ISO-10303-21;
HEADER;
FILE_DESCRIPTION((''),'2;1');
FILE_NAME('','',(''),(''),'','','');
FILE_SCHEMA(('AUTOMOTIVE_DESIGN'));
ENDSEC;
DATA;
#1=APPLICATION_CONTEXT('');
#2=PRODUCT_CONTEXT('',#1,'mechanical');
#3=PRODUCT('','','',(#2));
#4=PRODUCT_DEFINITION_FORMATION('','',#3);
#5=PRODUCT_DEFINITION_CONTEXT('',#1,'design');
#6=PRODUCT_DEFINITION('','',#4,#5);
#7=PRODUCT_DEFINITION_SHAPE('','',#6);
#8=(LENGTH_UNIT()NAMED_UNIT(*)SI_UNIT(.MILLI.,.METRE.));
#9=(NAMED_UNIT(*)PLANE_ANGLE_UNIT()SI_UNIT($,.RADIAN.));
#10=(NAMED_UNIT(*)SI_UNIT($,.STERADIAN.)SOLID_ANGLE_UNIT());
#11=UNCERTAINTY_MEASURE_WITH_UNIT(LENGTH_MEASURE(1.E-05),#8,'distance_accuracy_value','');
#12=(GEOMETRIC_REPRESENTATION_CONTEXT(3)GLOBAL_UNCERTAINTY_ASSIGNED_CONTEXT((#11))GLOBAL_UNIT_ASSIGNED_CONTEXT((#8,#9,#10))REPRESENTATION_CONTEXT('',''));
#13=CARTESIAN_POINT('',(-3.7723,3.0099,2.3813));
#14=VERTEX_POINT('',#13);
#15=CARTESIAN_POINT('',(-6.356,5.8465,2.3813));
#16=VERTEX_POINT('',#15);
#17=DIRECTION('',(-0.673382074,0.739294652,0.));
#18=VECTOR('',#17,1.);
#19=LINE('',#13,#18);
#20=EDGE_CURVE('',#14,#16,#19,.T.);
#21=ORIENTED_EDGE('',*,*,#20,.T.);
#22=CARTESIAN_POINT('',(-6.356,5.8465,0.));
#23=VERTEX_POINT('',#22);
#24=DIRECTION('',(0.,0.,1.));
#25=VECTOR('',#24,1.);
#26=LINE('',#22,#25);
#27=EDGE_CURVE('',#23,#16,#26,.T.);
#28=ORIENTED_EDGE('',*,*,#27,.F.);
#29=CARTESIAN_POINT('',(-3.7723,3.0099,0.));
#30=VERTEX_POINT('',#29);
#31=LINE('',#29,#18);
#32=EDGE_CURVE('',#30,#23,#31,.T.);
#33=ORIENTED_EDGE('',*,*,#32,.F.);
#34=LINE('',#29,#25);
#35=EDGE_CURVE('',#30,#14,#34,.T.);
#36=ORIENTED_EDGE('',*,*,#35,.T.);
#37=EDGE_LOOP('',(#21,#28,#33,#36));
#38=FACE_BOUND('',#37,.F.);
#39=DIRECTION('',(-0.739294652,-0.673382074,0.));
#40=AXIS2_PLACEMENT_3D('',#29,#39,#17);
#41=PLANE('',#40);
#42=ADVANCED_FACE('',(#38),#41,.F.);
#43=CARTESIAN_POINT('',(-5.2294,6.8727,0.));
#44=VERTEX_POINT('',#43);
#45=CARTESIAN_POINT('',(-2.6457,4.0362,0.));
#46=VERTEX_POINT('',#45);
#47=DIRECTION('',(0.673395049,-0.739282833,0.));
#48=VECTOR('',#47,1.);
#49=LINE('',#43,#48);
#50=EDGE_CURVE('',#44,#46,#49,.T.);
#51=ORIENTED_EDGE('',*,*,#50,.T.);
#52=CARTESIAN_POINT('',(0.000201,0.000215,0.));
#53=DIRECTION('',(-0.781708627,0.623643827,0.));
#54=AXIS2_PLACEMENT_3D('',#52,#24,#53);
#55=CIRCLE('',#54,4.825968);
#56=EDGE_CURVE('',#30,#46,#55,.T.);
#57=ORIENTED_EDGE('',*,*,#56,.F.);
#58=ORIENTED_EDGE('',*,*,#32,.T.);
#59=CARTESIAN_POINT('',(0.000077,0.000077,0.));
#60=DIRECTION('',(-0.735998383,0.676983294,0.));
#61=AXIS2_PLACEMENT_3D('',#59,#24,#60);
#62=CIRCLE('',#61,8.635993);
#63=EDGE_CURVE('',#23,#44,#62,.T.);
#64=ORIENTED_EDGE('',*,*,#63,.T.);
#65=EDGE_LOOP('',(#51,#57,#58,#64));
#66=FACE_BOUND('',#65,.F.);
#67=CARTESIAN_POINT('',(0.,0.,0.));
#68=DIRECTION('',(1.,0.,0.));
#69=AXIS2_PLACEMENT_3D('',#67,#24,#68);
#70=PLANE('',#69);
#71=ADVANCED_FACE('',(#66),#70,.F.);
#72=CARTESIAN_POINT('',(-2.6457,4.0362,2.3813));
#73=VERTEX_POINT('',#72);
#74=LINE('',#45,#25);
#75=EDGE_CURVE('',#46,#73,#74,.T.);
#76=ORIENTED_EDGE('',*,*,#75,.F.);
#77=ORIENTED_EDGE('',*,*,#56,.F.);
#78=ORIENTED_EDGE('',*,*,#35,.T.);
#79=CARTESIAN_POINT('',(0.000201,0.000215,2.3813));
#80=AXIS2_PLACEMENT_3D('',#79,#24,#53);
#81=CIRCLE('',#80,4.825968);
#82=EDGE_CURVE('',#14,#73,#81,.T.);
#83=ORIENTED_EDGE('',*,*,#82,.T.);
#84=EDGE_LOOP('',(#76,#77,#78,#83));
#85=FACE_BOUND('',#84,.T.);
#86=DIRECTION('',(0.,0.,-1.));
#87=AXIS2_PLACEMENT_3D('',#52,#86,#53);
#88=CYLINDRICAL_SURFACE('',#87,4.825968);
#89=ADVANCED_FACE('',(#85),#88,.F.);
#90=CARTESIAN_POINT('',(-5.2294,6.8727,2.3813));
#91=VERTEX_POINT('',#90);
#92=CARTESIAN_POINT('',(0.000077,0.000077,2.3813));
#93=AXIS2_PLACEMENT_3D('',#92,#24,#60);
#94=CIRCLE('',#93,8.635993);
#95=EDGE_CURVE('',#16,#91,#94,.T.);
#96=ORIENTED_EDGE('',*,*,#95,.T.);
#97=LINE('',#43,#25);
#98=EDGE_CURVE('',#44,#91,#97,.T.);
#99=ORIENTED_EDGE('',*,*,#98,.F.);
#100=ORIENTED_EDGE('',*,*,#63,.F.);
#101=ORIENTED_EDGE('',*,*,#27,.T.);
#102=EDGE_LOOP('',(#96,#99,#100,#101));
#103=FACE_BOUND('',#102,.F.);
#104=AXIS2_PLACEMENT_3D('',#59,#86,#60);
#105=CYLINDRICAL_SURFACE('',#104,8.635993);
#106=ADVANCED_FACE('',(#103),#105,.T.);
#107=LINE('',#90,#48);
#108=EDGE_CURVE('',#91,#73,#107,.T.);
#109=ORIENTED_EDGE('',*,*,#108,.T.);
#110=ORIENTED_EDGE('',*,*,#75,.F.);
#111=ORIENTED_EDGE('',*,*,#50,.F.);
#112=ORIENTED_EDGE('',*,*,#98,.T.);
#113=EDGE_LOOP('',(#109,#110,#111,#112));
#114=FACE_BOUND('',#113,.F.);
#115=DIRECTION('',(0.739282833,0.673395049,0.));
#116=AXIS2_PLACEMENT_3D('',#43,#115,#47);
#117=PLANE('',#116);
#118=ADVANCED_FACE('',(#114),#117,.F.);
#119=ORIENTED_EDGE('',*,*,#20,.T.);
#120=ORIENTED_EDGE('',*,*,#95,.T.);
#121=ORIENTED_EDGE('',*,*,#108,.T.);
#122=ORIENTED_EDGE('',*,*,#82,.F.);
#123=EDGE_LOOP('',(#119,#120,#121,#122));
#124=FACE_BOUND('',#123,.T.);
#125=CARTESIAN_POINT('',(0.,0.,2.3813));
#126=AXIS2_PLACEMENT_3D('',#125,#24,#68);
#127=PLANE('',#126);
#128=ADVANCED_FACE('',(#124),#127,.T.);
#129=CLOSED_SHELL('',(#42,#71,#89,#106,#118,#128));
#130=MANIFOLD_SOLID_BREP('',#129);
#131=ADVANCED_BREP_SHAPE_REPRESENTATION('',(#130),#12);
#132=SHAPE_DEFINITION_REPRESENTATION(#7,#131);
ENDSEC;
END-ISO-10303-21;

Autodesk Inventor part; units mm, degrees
ref_plane "YZ Plane" through (0, 0, 0) normal (1, 0, 0) x (0, 1, 0)
ref_plane "XZ Plane" through (0, 0, 0) normal (0, 1, 0) x (-1, 0, 0)
ref_plane "XY Plane" through (0, 0, 0) normal (0, 0, 1) x (1, 0, 0)
sketch "Sketch1" plane through (0, 0, 0) normal (0, 0, 1) x (1, 0, 0)
  arc A0 (-6.356, 5.8465) -> (-5.2294, 6.8727) centre (0, 0) ccw
  arc A1 (-3.7723, 3.0099) -> (-2.6457, 4.0362) centre (0, 0) ccw
  line L0 (-3.7723, 3.0099) -> (-6.356, 5.8465)
  line L1 (-5.2294, 6.8727) -> (-2.6457, 4.0362)
  line L2 (-6.9725, 7.6548) -> (-2.002, 2.1979)
  dimension "d0" = 17.272
  dimension "d1" = 9.652
  dimension "d2" = 1.524
  dimension "d3" = 0.762
extrude "Extrusion1" add sketch "Sketch1" along normal blind 2.3813
equation "\"d3\" = 0.5 * d2"
properties part number "HW-00064"
